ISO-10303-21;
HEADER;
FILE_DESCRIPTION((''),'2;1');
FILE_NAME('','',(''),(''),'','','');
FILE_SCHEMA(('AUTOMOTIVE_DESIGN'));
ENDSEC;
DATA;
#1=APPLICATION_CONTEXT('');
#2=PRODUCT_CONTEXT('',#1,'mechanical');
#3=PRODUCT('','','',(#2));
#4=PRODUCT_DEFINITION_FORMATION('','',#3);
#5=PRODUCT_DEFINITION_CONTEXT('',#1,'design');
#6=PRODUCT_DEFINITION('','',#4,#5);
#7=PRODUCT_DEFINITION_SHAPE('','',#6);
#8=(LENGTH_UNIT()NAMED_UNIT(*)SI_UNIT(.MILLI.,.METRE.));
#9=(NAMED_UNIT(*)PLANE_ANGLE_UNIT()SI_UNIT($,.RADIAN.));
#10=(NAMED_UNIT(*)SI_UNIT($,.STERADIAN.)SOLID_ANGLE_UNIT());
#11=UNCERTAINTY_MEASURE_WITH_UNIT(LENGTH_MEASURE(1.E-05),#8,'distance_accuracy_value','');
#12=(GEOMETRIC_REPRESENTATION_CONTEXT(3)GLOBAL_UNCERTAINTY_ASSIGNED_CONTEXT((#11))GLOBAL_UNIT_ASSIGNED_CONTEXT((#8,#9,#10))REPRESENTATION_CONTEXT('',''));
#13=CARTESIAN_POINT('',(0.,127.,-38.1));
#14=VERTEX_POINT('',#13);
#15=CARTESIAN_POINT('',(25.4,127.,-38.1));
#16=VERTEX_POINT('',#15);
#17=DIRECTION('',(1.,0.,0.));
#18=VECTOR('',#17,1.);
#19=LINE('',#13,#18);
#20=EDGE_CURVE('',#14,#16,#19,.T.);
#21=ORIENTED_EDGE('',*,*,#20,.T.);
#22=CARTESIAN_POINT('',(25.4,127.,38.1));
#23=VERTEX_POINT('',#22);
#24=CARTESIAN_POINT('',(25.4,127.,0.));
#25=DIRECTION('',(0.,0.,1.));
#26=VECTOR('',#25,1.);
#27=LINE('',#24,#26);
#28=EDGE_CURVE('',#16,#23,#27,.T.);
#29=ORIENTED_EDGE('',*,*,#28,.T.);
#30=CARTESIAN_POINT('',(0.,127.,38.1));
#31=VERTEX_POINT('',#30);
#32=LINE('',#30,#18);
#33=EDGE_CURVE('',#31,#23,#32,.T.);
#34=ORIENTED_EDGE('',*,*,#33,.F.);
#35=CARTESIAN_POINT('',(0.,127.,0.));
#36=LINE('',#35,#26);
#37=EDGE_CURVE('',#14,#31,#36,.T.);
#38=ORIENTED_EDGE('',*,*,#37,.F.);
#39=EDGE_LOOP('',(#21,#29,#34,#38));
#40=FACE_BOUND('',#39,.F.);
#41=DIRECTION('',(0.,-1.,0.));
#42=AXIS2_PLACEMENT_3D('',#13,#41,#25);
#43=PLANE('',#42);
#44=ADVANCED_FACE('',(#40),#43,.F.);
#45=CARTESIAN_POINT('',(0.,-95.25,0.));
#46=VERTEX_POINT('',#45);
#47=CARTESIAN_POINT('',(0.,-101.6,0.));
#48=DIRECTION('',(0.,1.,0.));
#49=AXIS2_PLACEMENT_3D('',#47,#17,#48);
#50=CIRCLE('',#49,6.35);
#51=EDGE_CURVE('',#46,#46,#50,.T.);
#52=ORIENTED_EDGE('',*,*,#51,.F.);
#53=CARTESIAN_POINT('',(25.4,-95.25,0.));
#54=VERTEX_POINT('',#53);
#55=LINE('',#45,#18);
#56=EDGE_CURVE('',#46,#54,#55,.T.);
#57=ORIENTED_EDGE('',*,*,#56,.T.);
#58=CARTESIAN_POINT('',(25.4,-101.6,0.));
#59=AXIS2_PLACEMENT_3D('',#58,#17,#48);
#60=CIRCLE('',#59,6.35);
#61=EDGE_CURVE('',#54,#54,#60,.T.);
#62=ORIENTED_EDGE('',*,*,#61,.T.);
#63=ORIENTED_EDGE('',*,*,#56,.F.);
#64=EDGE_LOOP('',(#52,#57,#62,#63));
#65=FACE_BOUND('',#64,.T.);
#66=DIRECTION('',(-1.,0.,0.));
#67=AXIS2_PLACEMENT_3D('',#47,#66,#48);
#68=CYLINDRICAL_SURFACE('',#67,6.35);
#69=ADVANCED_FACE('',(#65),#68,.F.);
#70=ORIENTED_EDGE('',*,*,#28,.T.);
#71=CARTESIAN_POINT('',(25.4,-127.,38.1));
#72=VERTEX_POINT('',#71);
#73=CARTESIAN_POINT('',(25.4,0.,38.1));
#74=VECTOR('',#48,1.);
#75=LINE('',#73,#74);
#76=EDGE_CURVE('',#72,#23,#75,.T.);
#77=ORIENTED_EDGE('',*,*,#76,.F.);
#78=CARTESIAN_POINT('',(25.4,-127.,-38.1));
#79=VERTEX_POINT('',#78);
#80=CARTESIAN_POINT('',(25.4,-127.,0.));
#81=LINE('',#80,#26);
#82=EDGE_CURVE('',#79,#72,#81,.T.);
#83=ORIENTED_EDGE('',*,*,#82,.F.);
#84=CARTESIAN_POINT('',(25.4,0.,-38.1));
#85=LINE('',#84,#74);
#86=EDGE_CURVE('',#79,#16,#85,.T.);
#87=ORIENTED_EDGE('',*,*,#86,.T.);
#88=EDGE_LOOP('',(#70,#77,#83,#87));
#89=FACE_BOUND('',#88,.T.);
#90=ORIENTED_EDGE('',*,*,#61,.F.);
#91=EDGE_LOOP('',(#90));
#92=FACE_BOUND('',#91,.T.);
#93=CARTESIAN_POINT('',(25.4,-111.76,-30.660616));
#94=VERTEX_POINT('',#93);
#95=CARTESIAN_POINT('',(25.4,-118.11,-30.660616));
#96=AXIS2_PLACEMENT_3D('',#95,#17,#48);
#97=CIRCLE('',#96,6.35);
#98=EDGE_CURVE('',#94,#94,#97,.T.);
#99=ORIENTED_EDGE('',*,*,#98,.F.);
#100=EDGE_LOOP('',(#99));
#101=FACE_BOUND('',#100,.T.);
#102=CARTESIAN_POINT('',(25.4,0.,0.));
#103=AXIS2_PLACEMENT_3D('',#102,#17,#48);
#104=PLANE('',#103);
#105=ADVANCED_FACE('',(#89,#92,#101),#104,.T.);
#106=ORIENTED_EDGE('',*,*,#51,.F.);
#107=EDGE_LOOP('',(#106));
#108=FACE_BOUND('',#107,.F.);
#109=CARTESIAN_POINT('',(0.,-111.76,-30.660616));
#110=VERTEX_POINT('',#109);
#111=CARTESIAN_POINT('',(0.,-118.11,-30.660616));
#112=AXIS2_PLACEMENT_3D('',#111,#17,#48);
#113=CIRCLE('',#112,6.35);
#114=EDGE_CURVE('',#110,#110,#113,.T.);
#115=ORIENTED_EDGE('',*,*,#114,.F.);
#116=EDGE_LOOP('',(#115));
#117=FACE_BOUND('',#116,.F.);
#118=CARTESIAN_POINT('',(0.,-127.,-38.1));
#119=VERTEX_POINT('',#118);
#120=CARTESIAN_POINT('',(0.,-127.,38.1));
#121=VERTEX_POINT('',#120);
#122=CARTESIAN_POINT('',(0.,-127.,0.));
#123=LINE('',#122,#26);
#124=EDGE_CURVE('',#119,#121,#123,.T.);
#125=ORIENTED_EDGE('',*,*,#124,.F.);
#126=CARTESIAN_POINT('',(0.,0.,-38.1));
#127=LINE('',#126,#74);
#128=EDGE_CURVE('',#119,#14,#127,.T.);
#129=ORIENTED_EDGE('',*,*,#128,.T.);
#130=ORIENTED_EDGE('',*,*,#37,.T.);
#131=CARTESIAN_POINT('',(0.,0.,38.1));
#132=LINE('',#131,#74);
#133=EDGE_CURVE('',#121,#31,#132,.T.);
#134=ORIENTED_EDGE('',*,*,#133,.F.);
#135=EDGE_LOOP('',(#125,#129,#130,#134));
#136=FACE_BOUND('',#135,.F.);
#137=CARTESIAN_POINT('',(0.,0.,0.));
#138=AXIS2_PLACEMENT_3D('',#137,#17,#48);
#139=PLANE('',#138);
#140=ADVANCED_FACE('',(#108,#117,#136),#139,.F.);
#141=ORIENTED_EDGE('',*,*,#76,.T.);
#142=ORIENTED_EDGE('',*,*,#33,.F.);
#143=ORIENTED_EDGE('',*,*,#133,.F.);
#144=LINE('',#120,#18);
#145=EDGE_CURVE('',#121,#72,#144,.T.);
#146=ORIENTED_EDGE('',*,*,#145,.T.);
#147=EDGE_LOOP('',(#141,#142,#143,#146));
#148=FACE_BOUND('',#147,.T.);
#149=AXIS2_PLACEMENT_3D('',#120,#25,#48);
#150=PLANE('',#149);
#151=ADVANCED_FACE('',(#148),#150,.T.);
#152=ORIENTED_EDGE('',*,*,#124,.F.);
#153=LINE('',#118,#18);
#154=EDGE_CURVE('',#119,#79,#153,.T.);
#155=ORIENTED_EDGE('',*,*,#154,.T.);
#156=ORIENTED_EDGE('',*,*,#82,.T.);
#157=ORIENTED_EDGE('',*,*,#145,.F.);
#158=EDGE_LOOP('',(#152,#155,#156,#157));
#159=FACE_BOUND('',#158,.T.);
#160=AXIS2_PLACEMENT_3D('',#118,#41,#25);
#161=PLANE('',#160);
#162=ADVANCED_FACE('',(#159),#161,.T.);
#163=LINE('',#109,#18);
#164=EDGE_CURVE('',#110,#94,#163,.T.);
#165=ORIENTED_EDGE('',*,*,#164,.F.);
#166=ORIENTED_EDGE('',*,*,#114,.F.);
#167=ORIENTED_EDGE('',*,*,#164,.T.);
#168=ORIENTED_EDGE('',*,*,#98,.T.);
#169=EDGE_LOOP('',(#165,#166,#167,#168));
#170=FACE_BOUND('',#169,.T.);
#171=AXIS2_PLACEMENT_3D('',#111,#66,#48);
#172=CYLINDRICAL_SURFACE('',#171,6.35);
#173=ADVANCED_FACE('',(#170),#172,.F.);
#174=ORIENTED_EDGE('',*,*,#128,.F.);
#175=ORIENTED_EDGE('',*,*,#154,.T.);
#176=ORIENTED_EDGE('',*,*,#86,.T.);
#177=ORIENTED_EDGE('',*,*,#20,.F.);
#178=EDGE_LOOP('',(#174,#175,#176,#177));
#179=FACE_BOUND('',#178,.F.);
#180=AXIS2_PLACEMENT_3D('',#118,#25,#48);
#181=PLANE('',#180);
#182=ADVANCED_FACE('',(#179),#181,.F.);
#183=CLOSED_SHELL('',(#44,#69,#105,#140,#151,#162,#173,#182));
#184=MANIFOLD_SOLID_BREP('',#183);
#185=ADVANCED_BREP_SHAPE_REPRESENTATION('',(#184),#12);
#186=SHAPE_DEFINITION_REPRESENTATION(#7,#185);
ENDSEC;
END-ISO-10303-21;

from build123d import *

# Parameters (mm, degrees)
F0_W     = 254
F0_H     = 76.2
F0_R     = 6.35
F1_DEPTH = 25.4


with BuildPart() as f1:
    # F0 (on Right) → F1 (new body)
    with BuildSketch(Plane.YZ):
        Rectangle(F0_W, F0_H)
        with Locations((-118.11, -30.660616)):
            Circle(F0_R, mode=Mode.SUBTRACT)
        with Locations((-101.6, 0)):
            Circle(F0_R, mode=Mode.SUBTRACT)
    extrude(amount=F1_DEPTH)


solid = f1.part
